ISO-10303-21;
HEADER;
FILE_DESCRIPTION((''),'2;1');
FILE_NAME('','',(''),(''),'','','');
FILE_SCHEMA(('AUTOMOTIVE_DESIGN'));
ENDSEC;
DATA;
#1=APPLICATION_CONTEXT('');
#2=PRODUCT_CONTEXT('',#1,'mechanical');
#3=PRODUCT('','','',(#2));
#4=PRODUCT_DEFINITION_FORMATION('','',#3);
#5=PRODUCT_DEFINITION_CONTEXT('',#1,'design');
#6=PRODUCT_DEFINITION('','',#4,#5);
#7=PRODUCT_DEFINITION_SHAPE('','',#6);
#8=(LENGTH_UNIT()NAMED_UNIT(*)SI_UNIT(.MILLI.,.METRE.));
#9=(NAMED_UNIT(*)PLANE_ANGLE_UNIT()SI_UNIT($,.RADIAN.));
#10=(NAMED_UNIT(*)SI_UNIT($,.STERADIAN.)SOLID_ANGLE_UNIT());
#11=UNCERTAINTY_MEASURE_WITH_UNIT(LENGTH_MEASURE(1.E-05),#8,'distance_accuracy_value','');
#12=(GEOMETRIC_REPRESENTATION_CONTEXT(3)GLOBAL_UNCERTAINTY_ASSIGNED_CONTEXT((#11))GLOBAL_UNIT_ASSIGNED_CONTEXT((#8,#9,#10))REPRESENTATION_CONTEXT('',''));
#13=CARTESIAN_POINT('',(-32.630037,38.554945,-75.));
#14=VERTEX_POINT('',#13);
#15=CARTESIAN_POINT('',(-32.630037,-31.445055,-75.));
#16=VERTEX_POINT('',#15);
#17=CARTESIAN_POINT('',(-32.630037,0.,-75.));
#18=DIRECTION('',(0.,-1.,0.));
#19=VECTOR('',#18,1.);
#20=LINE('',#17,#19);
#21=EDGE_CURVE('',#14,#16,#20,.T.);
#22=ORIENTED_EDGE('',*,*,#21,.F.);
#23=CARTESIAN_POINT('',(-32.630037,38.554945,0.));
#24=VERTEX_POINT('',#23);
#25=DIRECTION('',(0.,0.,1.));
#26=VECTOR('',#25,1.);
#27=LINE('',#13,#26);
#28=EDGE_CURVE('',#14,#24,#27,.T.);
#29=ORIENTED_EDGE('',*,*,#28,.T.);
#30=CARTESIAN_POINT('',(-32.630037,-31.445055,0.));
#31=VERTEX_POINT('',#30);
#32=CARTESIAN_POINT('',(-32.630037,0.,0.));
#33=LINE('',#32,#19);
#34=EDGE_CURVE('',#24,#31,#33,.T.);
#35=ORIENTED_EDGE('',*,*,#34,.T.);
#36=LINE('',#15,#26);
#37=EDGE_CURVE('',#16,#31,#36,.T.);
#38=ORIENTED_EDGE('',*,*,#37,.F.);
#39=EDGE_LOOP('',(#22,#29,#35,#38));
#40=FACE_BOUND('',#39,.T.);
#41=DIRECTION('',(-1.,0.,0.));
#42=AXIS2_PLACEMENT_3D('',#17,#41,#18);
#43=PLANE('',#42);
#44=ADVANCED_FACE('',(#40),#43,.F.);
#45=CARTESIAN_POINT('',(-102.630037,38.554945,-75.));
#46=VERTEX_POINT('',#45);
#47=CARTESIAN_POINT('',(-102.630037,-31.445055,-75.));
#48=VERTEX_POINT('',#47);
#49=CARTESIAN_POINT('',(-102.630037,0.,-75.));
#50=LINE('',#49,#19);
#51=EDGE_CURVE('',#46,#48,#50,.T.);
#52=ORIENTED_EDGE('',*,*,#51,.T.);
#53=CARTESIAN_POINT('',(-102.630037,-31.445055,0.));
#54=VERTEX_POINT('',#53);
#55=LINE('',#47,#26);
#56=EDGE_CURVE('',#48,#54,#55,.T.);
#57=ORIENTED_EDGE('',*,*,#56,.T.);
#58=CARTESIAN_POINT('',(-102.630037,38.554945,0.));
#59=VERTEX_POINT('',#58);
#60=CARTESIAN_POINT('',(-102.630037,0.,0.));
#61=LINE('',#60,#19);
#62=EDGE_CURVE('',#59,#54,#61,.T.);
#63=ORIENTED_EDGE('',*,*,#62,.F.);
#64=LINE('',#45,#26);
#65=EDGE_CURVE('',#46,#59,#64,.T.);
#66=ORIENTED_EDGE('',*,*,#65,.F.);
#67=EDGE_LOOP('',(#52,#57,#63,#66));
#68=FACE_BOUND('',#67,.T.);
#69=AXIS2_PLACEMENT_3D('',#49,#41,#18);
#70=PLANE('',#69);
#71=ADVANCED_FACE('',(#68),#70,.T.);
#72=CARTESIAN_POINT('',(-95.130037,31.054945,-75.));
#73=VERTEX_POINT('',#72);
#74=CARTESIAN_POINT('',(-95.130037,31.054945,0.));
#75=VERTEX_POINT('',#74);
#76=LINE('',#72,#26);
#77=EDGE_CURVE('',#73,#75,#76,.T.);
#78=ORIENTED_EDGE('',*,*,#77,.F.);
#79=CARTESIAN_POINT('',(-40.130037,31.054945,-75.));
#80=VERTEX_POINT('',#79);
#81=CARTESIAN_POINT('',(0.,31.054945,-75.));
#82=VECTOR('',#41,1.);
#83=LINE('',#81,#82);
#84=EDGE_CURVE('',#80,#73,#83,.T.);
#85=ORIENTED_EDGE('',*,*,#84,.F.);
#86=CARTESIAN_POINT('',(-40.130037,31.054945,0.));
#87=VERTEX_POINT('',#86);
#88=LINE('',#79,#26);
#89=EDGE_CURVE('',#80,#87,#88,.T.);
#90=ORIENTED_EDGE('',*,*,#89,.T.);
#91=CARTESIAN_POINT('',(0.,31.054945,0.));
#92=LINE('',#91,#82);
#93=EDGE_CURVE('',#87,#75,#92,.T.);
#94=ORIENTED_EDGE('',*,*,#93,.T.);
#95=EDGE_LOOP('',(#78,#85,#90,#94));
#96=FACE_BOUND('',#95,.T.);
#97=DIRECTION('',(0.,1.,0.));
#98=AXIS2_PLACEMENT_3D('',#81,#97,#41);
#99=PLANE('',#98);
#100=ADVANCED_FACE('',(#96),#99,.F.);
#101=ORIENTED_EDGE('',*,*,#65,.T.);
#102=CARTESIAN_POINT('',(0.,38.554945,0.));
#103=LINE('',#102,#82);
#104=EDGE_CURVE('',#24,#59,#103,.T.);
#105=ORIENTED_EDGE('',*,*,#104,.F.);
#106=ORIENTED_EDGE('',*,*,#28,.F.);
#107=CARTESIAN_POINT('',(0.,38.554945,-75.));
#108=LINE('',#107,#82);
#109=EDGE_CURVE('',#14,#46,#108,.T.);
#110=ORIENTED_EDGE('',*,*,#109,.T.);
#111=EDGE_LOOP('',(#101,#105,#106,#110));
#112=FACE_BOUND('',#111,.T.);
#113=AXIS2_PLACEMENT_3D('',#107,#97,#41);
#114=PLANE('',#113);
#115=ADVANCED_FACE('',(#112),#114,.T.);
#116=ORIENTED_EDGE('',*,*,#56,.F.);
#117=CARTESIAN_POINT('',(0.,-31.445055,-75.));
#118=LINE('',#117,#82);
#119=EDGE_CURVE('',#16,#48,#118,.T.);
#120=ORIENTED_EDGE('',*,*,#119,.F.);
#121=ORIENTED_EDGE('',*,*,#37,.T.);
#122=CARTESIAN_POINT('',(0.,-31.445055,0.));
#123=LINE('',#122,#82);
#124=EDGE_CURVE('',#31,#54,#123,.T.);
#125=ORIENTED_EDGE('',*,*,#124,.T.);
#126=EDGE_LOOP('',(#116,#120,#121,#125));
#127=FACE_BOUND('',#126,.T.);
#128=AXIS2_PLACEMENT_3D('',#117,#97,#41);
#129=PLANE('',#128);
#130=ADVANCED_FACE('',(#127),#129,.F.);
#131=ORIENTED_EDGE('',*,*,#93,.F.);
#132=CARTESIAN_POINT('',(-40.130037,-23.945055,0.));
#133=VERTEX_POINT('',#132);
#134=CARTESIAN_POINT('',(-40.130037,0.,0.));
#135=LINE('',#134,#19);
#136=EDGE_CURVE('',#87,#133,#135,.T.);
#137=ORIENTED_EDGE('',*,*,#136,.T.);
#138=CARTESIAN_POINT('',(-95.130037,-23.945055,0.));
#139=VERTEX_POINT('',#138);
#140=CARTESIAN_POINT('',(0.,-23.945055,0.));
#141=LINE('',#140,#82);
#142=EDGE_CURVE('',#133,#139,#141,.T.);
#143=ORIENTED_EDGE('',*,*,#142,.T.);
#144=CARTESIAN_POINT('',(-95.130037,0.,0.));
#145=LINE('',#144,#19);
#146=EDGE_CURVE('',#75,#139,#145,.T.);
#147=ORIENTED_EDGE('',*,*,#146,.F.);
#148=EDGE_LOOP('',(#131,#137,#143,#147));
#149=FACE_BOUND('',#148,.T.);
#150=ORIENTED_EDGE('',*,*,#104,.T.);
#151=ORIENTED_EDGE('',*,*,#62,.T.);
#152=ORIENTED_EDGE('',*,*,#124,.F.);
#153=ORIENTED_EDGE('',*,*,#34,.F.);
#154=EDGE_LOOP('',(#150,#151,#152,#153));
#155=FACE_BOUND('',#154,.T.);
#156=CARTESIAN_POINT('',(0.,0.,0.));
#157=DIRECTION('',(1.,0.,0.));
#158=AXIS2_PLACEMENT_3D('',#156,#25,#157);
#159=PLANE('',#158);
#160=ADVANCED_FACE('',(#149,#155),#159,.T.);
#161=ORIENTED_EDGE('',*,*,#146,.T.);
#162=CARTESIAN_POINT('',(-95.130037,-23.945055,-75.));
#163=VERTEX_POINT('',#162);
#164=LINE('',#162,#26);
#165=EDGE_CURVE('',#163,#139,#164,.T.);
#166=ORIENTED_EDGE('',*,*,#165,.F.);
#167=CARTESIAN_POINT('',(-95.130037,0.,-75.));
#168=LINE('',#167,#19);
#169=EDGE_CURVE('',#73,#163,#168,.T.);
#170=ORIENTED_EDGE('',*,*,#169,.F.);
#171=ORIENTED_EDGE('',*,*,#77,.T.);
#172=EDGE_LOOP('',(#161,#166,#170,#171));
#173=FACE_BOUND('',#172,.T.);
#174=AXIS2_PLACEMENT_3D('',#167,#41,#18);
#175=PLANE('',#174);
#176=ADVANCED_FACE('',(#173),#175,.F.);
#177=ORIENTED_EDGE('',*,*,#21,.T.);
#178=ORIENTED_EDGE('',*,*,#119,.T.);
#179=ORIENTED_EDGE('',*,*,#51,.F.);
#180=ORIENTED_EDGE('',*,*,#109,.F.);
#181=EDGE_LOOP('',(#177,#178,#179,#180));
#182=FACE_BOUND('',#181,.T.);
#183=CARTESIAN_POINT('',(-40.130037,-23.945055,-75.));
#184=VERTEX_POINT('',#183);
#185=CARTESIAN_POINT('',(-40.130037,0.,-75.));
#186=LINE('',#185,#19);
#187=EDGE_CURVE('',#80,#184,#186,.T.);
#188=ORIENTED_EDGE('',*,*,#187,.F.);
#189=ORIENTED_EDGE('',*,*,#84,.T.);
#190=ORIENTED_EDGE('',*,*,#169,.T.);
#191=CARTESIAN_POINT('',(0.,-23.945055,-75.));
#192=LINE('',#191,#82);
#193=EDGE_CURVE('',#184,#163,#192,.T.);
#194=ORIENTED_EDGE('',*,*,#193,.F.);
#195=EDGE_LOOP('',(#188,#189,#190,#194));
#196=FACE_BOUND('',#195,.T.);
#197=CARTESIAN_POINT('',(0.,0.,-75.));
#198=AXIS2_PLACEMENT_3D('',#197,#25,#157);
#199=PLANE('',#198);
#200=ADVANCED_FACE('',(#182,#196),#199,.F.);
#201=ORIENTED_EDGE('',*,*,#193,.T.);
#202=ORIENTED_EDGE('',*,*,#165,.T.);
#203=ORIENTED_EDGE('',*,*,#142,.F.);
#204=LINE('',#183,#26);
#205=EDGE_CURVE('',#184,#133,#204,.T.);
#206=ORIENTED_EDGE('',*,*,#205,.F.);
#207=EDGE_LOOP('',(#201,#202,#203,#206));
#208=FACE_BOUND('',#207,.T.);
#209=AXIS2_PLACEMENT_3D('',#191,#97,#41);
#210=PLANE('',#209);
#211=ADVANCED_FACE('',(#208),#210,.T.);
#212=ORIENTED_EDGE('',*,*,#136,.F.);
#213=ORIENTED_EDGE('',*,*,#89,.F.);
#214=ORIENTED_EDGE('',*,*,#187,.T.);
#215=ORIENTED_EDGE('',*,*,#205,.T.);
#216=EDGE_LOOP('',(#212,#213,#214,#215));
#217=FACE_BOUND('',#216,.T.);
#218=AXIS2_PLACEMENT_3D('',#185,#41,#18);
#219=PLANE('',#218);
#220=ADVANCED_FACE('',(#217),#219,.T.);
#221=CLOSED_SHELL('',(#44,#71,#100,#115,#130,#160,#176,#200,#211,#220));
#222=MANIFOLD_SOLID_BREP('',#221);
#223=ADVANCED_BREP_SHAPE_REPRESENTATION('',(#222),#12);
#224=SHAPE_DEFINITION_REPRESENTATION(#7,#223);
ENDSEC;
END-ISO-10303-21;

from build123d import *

# Parameters (mm, degrees)
SKETCH3_W           = 70
SKETCH3_H           = 70
SKETCH3_W_2         = 55
SKETCH3_H_2         = 55
BOSS_EXTRUDE4_DEPTH = 75


with BuildPart() as part:
    # Sketch3 → Boss-Extrude4 (new body)
    with BuildSketch(Plane.XY):
        with Locations((-67.630036597, 3.554945105)):
            Rectangle(SKETCH3_W, SKETCH3_H)
        with Locations((-67.630036597, 3.554945105)):
            Rectangle(SKETCH3_W_2, SKETCH3_H_2, mode=Mode.SUBTRACT)
    extrude(amount=-BOSS_EXTRUDE4_DEPTH)


solid = part.part
